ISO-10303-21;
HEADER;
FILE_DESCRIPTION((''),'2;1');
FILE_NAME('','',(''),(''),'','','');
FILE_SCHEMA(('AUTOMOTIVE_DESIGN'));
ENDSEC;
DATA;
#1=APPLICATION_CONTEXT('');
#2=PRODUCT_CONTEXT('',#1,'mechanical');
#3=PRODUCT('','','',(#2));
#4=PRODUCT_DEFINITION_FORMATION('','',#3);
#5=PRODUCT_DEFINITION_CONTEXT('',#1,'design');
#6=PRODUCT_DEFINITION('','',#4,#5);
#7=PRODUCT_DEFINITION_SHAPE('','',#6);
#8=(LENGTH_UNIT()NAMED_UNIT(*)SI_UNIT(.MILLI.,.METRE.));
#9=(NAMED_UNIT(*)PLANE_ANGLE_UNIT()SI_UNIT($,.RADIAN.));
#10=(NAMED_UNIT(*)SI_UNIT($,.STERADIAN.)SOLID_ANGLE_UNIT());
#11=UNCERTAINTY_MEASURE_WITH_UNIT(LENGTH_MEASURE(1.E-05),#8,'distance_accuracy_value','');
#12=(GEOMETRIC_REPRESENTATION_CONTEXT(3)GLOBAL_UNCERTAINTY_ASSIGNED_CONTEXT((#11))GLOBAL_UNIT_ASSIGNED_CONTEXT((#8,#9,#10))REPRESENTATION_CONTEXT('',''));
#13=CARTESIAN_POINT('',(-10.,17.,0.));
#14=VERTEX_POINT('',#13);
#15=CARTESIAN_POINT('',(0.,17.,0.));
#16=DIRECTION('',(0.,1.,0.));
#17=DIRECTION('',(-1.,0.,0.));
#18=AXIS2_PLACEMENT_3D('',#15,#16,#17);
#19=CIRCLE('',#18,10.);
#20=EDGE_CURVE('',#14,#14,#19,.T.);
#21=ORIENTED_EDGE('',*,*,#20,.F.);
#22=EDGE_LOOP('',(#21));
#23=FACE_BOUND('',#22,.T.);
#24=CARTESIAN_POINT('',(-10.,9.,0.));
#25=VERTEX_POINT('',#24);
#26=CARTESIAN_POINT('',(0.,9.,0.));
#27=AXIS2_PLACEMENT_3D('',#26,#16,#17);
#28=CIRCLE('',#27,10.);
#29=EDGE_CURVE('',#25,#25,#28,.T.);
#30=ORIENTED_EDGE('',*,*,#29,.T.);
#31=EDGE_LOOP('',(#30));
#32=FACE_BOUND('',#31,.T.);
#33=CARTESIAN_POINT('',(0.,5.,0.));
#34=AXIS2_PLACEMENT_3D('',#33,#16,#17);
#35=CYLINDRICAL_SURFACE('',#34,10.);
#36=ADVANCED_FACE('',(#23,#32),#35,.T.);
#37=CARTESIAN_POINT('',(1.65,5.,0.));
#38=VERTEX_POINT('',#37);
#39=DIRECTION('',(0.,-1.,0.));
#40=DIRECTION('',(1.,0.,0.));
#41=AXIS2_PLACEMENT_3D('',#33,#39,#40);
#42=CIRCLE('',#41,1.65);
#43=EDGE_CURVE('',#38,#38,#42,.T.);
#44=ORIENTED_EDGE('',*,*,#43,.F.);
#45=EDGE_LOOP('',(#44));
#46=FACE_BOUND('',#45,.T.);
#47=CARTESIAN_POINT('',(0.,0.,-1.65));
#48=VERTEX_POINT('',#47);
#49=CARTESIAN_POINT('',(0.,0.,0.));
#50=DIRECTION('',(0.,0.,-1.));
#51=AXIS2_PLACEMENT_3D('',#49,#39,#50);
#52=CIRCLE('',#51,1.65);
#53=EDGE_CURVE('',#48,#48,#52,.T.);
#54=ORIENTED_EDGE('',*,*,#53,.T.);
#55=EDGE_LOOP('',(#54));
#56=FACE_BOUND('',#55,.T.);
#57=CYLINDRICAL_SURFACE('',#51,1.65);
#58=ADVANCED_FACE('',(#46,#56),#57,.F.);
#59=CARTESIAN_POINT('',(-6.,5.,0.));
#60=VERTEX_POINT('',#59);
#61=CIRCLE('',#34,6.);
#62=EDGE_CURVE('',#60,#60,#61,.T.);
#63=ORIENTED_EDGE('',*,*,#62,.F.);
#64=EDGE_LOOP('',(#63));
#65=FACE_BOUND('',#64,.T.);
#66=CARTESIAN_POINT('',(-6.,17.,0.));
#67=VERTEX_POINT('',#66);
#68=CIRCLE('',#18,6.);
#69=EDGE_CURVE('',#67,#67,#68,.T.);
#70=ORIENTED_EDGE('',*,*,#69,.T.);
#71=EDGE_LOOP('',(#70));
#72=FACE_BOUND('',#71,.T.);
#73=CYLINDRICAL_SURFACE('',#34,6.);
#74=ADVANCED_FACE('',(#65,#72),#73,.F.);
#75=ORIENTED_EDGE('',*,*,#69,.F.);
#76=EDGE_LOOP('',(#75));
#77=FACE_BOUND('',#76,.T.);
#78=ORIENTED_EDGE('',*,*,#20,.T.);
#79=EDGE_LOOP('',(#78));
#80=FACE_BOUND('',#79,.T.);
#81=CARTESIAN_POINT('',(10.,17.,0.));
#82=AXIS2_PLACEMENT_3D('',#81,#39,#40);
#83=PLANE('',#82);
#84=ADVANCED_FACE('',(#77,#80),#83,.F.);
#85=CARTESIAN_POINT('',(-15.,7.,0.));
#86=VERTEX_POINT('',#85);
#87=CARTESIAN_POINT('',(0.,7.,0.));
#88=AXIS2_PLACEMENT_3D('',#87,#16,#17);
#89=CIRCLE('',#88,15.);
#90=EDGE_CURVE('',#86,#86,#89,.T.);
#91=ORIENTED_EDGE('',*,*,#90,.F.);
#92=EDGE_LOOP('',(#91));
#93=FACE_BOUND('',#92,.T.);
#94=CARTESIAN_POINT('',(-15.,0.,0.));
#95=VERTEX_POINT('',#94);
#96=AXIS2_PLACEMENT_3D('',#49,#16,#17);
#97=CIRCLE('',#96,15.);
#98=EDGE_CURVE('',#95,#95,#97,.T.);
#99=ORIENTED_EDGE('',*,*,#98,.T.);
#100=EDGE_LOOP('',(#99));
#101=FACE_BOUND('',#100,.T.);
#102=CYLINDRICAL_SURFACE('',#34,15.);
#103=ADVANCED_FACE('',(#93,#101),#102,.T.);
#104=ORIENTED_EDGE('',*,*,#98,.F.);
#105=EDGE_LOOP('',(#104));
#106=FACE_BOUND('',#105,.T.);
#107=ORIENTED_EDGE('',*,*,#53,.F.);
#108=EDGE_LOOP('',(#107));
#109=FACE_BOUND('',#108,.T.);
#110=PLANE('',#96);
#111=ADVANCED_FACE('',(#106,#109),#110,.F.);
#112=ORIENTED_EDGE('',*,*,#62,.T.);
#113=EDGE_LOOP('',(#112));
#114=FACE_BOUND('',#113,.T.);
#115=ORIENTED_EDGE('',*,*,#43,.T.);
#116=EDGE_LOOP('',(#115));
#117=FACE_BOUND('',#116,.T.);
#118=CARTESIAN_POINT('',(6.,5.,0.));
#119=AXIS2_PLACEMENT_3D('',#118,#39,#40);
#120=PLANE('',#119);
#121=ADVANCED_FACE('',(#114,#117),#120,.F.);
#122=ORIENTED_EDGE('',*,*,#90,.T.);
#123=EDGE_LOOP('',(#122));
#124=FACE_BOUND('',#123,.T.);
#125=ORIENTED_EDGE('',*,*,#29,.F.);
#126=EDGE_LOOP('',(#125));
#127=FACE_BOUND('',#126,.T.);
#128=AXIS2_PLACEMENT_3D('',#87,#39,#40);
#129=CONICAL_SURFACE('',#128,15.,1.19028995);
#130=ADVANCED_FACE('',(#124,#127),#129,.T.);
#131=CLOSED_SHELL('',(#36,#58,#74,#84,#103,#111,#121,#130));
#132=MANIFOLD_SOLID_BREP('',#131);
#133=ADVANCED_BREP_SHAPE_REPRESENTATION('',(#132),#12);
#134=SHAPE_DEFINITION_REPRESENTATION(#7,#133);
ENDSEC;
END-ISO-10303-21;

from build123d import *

# Parameters (mm, degrees)
M4_TAPPED_HOLE1_D     = 3.3
M4_TAPPED_HOLE1_DEPTH = 10.508579979
M4_TAPPED_HOLE1_TIP   = 0.991420021


with BuildPart() as part:
    # Sketch1 → Revolve1 (revolve)
    with BuildSketch(Plane.XY, mode=Mode.PRIVATE) as revolve1_sk:
        Polygon((0, 0), (15, 0), (15, 7), (10, 9), (10, 17), (6, 17), (6, 5), (0, 5), align=None)
    revolve(revolve1_sk.sketch.rotate(Axis((0, 5, 0), (0, -1, 0)), 180), axis=Axis((0, 5, 0), (0, -1, 0)))

    # M4 Tapped Hole1
    with Locations(Plane(origin=(0, 0, 0), x_dir=(-1, 0, 0), z_dir=(0, -1, 0))):
        with Locations((0, 0)):
            Hole(M4_TAPPED_HOLE1_D / 2, depth=M4_TAPPED_HOLE1_DEPTH)
            with Locations((0, 0, -(M4_TAPPED_HOLE1_DEPTH + M4_TAPPED_HOLE1_TIP / 2))):  # 118° drill point
                Cone(0, M4_TAPPED_HOLE1_D / 2, M4_TAPPED_HOLE1_TIP, mode=Mode.SUBTRACT)


solid = part.part
